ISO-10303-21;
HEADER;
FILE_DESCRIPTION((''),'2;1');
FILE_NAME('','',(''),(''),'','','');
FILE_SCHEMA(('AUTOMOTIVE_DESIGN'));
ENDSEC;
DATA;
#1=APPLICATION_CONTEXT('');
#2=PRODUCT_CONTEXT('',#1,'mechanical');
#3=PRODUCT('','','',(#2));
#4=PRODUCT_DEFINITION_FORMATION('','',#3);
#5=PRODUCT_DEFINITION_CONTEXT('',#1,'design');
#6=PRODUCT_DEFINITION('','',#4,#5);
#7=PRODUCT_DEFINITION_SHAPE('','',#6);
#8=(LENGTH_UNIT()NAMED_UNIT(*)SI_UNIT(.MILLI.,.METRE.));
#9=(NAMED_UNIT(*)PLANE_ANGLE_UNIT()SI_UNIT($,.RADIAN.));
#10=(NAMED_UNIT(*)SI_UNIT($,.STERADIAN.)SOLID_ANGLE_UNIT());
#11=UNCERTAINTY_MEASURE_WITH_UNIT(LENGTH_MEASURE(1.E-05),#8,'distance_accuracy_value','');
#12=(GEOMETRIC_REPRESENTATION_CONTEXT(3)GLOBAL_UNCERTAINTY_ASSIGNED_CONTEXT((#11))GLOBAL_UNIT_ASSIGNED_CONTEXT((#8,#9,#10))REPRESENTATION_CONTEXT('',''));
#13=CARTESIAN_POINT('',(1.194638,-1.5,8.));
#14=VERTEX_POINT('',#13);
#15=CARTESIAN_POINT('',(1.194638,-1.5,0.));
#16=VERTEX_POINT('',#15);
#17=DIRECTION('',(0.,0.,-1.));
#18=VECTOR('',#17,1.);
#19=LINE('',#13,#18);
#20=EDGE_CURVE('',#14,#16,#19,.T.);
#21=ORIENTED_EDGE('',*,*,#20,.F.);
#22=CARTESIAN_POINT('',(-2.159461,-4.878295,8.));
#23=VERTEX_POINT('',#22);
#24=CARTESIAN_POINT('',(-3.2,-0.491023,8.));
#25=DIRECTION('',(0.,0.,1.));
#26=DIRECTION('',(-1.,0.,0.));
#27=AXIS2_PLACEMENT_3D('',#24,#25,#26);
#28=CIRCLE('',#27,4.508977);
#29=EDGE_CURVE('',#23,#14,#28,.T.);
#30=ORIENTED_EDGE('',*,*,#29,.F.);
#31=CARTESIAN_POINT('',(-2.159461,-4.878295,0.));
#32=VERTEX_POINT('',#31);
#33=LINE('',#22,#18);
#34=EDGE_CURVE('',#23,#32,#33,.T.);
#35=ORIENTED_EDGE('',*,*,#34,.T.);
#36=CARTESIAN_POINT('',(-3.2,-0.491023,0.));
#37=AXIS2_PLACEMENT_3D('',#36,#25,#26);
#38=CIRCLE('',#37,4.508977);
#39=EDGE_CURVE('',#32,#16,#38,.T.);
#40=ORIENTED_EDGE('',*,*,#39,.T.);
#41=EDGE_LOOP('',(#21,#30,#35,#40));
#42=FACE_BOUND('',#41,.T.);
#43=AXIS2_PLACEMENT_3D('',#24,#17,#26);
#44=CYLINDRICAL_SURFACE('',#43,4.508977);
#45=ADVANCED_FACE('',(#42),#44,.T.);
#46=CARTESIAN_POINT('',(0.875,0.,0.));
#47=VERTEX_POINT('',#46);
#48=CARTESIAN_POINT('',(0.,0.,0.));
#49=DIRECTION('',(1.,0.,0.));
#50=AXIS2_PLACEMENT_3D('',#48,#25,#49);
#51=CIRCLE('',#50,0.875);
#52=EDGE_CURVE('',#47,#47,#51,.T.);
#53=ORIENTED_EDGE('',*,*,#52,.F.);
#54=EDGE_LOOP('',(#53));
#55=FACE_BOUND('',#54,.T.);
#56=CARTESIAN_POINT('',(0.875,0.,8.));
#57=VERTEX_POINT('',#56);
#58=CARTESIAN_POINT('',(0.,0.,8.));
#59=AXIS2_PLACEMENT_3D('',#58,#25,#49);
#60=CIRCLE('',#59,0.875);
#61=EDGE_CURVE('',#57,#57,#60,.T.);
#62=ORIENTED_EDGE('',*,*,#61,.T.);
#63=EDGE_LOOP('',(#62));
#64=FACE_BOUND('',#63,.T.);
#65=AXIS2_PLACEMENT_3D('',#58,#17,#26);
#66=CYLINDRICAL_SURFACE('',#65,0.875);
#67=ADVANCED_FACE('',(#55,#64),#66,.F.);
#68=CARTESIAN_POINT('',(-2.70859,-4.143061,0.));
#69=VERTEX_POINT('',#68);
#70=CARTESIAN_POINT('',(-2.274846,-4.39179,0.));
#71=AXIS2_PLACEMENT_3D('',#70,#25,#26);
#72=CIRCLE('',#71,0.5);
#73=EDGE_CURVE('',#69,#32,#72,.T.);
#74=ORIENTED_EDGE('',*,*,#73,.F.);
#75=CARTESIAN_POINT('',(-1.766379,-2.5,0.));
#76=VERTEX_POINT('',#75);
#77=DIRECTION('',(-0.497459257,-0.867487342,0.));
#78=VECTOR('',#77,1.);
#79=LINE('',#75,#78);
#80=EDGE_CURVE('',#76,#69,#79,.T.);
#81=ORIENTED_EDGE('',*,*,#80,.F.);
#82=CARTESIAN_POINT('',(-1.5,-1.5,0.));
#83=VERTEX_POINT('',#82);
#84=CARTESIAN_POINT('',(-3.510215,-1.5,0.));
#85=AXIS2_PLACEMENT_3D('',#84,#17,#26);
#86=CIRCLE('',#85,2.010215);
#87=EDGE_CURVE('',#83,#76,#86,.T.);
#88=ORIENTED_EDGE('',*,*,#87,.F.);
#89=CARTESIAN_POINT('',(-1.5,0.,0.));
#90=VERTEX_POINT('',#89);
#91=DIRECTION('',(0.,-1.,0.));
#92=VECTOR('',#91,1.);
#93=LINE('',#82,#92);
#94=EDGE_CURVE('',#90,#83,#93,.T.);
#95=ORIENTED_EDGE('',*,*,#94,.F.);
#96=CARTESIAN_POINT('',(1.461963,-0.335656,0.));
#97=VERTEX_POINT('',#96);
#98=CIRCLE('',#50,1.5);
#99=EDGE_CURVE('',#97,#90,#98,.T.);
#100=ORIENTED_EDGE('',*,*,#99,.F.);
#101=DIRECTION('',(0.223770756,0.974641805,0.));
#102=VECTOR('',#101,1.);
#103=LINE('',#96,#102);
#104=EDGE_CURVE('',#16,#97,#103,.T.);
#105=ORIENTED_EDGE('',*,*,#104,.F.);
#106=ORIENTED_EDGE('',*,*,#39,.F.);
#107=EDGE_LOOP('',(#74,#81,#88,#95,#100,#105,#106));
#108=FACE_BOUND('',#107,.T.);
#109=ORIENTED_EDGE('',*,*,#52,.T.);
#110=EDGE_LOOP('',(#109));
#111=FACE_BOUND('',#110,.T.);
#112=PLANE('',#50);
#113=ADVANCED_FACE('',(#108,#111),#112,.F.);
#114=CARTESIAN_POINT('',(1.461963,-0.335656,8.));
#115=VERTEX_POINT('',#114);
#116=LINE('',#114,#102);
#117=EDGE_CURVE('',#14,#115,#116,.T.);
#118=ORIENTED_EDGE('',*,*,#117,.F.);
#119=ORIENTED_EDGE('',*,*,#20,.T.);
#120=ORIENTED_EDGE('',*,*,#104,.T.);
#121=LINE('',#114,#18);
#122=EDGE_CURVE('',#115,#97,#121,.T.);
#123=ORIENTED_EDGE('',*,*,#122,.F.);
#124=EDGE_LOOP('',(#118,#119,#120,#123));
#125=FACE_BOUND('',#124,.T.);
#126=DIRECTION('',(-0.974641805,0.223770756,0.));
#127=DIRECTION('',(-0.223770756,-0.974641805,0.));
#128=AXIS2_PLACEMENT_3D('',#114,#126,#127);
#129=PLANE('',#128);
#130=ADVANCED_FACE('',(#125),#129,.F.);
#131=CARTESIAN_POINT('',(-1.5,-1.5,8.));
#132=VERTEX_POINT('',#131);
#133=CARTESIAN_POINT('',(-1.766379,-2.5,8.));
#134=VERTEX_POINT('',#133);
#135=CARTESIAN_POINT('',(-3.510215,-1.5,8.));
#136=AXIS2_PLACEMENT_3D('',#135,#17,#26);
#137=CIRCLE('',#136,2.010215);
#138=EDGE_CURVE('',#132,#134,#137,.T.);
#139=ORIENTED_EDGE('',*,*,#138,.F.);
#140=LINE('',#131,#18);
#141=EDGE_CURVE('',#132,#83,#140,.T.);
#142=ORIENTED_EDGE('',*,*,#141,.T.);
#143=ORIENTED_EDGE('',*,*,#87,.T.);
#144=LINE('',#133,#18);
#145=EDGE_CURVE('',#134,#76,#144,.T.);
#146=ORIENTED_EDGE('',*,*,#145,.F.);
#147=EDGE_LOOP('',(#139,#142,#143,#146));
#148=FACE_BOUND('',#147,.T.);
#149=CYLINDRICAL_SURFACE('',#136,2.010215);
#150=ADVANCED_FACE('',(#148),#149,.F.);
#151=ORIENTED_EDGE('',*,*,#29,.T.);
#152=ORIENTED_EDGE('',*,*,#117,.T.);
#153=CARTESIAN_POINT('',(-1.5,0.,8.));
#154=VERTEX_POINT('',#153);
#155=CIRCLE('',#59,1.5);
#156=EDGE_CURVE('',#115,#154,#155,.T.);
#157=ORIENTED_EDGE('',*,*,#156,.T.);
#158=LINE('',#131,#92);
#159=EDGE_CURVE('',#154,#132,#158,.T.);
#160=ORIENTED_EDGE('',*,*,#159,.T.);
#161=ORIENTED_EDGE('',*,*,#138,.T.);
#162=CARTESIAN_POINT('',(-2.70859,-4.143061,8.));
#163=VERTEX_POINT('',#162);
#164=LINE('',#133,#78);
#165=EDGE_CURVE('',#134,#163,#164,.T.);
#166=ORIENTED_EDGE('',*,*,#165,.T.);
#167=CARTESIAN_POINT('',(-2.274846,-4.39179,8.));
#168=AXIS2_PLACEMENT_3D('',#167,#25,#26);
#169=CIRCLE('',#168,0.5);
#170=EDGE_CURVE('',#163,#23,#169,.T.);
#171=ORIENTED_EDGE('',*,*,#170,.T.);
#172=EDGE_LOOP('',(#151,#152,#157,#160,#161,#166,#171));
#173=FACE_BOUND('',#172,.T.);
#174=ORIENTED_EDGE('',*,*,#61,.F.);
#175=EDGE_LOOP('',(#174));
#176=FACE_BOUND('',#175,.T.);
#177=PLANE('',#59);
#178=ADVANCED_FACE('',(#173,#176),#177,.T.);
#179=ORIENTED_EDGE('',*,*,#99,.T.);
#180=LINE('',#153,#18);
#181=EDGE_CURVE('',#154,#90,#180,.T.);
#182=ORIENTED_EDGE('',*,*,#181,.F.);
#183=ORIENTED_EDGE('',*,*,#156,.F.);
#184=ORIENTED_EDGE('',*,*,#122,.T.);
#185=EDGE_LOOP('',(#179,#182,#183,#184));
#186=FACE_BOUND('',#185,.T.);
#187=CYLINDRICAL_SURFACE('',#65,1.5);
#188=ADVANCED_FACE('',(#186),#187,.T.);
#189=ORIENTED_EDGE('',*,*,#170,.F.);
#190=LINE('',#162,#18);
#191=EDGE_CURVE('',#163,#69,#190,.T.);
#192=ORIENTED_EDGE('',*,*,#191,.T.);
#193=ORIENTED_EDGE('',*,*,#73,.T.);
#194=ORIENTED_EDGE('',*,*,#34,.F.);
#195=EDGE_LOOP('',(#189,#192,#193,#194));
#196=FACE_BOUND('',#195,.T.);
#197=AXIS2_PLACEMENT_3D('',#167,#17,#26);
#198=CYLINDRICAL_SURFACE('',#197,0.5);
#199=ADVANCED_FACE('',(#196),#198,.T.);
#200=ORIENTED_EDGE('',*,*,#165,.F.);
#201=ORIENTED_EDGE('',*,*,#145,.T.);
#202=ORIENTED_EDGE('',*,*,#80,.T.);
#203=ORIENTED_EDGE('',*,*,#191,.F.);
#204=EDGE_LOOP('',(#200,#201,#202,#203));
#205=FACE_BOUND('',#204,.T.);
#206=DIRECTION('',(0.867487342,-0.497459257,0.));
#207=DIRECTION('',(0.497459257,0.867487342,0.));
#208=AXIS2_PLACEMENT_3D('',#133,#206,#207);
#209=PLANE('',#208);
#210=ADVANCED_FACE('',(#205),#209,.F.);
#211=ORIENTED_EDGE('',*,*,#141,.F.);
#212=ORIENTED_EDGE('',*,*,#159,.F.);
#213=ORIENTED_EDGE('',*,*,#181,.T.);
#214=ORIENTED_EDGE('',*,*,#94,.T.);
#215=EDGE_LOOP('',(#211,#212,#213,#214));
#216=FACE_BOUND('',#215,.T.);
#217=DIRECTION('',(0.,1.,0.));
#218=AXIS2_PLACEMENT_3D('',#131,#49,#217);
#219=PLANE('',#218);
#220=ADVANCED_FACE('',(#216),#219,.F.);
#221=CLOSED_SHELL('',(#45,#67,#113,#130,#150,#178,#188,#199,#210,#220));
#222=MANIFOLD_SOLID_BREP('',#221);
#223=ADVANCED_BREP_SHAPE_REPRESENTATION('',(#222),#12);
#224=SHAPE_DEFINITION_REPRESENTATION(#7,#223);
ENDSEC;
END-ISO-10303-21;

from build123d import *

# Parameters (mm, degrees)
SKETCH1_R           = 0.875
BOSS_EXTRUDE1_DEPTH = 8


with BuildPart() as part:
    # Sketch1 → Boss-Extrude1 (new body)
    with BuildSketch(Plane.XY):
        with BuildLine():
            Line((1.461962708, -0.335656133), (1.194637722, -1.5))
            ThreePointArc((1.194637722, -1.5), (-0.000233431, -3.667871775), (-2.159460582, -4.878294517))
            ThreePointArc((-2.159460582, -4.878294517), (-2.675445647, -4.690989074), (-2.708589557, -4.143060797))
            Line((-2.708589557, -4.143060797), (-1.766378918, -2.5))
            ThreePointArc((-1.766378918, -2.5), (-1.56773594, -2.017435437), (-1.5, -1.5))
            Line((-1.5, -1.5), (-1.5, 0))
            ThreePointArc((-1.5, 0), (0.168902246, 1.490460342), (1.461962708, -0.335656133))
        make_face()
        Circle(SKETCH1_R, mode=Mode.SUBTRACT)
    extrude(amount=BOSS_EXTRUDE1_DEPTH)


solid = part.part
